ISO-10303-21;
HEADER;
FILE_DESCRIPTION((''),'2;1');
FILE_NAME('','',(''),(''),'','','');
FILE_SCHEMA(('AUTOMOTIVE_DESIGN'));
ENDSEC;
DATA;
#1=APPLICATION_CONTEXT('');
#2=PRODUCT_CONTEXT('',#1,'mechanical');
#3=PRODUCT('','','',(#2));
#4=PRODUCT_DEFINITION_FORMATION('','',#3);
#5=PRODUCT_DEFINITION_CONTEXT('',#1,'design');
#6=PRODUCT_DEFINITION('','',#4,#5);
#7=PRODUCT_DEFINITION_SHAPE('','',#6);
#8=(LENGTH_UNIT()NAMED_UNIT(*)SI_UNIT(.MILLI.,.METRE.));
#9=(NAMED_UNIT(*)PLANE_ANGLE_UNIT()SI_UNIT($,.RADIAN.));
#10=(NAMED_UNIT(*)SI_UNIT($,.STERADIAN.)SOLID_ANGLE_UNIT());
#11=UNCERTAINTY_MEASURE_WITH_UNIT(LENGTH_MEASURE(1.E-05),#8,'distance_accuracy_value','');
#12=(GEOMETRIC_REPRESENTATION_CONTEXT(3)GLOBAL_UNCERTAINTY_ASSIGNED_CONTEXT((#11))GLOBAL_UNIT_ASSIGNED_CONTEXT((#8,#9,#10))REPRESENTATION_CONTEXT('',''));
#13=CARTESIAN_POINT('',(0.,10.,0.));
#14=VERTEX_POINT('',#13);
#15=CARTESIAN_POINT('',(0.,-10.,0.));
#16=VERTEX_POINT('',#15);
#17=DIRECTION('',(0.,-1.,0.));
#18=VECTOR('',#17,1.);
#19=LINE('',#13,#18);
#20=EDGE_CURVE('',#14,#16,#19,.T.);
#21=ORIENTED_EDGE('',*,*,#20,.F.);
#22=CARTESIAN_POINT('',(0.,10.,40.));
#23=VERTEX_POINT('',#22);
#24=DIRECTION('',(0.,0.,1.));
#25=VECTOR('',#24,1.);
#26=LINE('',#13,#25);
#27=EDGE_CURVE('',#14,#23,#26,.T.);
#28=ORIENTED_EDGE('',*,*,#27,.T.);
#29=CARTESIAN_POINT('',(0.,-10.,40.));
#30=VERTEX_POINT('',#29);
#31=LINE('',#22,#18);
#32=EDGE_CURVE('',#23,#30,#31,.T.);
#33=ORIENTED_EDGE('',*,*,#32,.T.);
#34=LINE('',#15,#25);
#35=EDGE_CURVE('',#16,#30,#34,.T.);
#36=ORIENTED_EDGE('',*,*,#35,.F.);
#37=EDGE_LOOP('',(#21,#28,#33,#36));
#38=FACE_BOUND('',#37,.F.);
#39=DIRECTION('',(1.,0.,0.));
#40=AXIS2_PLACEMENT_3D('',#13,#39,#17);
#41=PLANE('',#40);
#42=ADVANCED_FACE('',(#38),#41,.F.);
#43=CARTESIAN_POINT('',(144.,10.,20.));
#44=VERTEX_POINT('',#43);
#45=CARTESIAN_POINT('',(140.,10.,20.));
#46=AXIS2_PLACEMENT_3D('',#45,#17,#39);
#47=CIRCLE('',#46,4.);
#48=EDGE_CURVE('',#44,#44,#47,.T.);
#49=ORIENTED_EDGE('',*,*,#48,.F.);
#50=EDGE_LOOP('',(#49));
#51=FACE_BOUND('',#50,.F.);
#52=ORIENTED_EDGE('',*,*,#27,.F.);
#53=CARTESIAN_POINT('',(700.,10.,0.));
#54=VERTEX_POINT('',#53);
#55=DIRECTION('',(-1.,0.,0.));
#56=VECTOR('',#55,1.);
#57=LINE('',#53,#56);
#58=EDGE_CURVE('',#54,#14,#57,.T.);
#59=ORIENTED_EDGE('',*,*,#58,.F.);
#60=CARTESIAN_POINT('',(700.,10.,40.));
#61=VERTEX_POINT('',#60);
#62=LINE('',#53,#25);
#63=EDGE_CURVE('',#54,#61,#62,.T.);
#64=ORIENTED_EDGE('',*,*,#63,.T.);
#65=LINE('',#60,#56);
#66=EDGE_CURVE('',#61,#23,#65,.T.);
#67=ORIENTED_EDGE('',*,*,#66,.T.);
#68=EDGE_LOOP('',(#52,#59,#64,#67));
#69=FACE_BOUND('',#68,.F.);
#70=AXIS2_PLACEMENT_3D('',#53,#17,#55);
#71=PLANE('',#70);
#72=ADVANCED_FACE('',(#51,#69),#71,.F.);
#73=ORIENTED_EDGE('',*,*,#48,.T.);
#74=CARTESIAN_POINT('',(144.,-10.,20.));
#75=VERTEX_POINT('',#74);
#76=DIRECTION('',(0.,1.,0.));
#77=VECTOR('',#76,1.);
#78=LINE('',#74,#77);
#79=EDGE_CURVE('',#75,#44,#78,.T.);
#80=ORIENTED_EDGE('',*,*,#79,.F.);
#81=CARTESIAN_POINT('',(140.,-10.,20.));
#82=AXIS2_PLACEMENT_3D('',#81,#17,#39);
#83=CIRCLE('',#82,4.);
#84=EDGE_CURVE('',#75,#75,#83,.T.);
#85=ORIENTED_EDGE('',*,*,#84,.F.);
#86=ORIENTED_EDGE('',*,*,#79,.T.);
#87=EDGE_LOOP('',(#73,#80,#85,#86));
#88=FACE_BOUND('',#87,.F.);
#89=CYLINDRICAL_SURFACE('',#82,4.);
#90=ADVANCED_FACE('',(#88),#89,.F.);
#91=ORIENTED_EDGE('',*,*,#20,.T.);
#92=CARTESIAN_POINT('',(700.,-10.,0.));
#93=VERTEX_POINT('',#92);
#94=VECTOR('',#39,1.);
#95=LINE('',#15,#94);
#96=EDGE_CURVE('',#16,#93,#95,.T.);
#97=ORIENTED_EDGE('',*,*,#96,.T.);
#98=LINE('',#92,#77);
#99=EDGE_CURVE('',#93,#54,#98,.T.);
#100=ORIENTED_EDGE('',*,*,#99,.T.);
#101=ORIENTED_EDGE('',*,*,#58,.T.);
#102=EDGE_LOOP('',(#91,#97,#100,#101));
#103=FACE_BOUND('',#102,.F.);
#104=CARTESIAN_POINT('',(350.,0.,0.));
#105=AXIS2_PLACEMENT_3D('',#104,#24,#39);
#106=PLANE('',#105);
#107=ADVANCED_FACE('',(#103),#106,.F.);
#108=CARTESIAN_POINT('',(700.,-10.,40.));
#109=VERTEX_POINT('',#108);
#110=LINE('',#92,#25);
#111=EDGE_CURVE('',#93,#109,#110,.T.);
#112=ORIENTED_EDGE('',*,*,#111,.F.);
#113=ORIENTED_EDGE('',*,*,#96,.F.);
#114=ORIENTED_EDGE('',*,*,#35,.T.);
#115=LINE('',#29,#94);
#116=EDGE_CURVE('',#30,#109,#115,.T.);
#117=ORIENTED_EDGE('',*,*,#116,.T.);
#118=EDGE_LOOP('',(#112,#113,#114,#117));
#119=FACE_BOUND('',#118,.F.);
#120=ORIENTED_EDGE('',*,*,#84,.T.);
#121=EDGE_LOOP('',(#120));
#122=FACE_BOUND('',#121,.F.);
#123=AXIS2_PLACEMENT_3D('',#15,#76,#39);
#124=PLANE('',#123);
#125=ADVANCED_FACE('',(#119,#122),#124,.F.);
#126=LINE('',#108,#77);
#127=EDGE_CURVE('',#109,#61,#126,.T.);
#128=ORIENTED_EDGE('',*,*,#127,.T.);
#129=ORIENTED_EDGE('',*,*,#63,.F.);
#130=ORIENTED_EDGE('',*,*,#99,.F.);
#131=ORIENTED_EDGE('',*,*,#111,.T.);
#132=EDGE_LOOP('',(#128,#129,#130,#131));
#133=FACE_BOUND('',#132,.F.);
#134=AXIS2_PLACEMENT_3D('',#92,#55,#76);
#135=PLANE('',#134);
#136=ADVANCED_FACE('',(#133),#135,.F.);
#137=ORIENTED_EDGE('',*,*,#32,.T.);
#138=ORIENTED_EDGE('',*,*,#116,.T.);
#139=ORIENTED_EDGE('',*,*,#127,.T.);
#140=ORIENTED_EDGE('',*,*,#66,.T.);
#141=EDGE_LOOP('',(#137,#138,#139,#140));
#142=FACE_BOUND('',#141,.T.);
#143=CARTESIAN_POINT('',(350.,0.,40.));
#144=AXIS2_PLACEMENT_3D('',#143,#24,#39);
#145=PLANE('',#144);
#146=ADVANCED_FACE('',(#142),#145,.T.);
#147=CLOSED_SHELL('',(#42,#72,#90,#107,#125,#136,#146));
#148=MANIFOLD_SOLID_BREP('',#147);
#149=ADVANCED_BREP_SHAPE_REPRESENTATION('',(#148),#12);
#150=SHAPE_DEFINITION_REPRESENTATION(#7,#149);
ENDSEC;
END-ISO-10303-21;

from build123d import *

# Parameters (mm, degrees)
F1_DEPTH = 40
F2_R     = 4
F3_DEPTH = 25


with BuildPart() as f1:
    # F0 (on Top) → F1 (new body)
    with BuildSketch(Plane.XY):
        Polygon((700, -10), (700, 10), (0.3576, 10), (0, 10), (0, -10), align=None)
    extrude(amount=F1_DEPTH)

    # F2 (on face) → F3 (cut)
    with BuildSketch(Plane.XZ.offset(10)):
        with Locations((140, 20)):
            Circle(F2_R)
    extrude(amount=-F3_DEPTH, mode=Mode.SUBTRACT)


solid = f1.part
